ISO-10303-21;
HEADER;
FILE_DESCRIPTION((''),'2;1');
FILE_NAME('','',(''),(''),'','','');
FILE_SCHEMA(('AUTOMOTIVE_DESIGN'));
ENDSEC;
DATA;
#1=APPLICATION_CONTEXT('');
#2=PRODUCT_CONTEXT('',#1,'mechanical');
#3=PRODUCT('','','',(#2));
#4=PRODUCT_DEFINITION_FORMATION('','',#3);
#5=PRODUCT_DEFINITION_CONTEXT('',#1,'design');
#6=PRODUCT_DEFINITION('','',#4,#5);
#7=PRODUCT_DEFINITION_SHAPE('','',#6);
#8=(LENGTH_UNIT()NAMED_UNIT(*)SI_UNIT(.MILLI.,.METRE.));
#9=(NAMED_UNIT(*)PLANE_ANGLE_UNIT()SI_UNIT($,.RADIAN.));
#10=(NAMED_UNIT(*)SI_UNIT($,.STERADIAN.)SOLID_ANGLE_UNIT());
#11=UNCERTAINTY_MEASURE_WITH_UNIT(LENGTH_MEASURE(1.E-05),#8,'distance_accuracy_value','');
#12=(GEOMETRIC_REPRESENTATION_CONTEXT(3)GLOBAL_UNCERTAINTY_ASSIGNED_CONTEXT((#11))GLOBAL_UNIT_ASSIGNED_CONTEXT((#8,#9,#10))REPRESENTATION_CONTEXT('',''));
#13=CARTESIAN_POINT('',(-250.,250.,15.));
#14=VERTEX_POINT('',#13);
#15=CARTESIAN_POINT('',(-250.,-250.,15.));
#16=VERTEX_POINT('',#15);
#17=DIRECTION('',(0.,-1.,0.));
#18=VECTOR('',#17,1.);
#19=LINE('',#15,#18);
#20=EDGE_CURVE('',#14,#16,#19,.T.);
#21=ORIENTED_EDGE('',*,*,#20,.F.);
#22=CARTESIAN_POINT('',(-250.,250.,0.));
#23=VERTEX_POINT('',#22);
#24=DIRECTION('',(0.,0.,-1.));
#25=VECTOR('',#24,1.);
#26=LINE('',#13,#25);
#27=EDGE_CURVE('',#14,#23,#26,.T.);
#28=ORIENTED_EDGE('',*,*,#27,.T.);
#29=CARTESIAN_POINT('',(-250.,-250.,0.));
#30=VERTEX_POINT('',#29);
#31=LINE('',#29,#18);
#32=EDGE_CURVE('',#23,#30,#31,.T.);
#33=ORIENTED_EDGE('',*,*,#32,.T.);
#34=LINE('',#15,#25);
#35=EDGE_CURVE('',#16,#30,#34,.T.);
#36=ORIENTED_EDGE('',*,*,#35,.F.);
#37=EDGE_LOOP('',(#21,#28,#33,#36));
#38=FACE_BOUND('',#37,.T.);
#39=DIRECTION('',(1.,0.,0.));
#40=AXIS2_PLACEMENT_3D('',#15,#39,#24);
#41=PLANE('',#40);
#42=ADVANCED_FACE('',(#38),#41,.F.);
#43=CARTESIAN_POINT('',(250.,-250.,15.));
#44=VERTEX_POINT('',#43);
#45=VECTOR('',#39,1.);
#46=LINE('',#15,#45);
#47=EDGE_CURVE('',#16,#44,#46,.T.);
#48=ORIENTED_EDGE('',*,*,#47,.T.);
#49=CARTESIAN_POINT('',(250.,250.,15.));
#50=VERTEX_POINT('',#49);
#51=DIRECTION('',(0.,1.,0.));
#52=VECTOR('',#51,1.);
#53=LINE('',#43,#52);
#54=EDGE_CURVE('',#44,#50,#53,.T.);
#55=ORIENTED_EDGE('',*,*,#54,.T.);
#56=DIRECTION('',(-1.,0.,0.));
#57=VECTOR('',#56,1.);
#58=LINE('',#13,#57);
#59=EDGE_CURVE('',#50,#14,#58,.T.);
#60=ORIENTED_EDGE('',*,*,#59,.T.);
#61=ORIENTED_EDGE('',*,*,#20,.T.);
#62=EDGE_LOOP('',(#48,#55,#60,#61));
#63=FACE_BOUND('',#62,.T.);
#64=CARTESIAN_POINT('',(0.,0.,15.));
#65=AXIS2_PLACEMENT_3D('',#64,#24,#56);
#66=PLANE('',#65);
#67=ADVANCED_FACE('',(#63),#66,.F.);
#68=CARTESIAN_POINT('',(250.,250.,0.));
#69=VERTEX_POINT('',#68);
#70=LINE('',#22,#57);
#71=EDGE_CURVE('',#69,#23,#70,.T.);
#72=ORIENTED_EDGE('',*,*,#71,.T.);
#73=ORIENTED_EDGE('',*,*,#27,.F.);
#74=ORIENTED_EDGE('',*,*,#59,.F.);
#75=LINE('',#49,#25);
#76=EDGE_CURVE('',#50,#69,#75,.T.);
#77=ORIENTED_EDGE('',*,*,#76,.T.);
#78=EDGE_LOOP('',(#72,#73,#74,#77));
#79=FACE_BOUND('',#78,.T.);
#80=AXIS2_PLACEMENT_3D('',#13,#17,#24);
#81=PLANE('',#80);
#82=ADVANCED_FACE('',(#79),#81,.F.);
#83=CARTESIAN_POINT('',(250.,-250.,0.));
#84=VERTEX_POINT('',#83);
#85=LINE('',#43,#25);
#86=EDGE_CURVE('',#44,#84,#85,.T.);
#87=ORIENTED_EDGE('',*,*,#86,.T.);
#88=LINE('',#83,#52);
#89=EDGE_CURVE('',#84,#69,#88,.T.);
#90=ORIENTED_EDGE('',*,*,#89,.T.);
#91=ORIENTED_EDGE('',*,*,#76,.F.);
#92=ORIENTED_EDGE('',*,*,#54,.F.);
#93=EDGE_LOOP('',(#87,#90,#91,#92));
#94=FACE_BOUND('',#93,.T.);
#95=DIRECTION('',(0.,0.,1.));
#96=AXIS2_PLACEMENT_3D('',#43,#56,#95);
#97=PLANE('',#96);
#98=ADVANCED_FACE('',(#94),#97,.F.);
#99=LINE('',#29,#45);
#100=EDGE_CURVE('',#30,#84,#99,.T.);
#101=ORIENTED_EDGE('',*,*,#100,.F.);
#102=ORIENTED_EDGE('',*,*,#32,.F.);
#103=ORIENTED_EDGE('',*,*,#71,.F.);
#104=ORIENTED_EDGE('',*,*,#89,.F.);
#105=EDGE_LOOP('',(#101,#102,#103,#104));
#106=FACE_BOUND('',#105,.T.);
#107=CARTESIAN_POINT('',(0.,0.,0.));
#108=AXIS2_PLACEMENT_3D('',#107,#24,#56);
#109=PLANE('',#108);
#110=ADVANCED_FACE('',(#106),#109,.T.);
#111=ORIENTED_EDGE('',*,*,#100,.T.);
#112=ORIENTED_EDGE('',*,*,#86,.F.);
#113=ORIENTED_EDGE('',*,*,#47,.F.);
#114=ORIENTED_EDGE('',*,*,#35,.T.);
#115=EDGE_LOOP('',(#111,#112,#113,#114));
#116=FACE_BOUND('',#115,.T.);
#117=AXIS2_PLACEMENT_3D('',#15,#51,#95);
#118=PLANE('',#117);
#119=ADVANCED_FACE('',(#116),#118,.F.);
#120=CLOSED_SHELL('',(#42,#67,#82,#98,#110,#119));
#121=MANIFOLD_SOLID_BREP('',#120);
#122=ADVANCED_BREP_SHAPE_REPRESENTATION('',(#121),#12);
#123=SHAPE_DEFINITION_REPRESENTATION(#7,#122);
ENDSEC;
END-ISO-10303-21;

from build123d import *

# Parameters (mm, degrees)
SCHIZZO1_W                   = 500
SCHIZZO1_H                   = 500
ESTRUSIONE_ESTRUSIONE1_DEPTH = 15


with BuildPart() as part:
    # Schizzo1 → Estrusione-Estrusione1 (new body)
    with BuildSketch(Plane.XY):
        Rectangle(SCHIZZO1_W, SCHIZZO1_H)
    extrude(amount=ESTRUSIONE_ESTRUSIONE1_DEPTH)


solid = part.part
